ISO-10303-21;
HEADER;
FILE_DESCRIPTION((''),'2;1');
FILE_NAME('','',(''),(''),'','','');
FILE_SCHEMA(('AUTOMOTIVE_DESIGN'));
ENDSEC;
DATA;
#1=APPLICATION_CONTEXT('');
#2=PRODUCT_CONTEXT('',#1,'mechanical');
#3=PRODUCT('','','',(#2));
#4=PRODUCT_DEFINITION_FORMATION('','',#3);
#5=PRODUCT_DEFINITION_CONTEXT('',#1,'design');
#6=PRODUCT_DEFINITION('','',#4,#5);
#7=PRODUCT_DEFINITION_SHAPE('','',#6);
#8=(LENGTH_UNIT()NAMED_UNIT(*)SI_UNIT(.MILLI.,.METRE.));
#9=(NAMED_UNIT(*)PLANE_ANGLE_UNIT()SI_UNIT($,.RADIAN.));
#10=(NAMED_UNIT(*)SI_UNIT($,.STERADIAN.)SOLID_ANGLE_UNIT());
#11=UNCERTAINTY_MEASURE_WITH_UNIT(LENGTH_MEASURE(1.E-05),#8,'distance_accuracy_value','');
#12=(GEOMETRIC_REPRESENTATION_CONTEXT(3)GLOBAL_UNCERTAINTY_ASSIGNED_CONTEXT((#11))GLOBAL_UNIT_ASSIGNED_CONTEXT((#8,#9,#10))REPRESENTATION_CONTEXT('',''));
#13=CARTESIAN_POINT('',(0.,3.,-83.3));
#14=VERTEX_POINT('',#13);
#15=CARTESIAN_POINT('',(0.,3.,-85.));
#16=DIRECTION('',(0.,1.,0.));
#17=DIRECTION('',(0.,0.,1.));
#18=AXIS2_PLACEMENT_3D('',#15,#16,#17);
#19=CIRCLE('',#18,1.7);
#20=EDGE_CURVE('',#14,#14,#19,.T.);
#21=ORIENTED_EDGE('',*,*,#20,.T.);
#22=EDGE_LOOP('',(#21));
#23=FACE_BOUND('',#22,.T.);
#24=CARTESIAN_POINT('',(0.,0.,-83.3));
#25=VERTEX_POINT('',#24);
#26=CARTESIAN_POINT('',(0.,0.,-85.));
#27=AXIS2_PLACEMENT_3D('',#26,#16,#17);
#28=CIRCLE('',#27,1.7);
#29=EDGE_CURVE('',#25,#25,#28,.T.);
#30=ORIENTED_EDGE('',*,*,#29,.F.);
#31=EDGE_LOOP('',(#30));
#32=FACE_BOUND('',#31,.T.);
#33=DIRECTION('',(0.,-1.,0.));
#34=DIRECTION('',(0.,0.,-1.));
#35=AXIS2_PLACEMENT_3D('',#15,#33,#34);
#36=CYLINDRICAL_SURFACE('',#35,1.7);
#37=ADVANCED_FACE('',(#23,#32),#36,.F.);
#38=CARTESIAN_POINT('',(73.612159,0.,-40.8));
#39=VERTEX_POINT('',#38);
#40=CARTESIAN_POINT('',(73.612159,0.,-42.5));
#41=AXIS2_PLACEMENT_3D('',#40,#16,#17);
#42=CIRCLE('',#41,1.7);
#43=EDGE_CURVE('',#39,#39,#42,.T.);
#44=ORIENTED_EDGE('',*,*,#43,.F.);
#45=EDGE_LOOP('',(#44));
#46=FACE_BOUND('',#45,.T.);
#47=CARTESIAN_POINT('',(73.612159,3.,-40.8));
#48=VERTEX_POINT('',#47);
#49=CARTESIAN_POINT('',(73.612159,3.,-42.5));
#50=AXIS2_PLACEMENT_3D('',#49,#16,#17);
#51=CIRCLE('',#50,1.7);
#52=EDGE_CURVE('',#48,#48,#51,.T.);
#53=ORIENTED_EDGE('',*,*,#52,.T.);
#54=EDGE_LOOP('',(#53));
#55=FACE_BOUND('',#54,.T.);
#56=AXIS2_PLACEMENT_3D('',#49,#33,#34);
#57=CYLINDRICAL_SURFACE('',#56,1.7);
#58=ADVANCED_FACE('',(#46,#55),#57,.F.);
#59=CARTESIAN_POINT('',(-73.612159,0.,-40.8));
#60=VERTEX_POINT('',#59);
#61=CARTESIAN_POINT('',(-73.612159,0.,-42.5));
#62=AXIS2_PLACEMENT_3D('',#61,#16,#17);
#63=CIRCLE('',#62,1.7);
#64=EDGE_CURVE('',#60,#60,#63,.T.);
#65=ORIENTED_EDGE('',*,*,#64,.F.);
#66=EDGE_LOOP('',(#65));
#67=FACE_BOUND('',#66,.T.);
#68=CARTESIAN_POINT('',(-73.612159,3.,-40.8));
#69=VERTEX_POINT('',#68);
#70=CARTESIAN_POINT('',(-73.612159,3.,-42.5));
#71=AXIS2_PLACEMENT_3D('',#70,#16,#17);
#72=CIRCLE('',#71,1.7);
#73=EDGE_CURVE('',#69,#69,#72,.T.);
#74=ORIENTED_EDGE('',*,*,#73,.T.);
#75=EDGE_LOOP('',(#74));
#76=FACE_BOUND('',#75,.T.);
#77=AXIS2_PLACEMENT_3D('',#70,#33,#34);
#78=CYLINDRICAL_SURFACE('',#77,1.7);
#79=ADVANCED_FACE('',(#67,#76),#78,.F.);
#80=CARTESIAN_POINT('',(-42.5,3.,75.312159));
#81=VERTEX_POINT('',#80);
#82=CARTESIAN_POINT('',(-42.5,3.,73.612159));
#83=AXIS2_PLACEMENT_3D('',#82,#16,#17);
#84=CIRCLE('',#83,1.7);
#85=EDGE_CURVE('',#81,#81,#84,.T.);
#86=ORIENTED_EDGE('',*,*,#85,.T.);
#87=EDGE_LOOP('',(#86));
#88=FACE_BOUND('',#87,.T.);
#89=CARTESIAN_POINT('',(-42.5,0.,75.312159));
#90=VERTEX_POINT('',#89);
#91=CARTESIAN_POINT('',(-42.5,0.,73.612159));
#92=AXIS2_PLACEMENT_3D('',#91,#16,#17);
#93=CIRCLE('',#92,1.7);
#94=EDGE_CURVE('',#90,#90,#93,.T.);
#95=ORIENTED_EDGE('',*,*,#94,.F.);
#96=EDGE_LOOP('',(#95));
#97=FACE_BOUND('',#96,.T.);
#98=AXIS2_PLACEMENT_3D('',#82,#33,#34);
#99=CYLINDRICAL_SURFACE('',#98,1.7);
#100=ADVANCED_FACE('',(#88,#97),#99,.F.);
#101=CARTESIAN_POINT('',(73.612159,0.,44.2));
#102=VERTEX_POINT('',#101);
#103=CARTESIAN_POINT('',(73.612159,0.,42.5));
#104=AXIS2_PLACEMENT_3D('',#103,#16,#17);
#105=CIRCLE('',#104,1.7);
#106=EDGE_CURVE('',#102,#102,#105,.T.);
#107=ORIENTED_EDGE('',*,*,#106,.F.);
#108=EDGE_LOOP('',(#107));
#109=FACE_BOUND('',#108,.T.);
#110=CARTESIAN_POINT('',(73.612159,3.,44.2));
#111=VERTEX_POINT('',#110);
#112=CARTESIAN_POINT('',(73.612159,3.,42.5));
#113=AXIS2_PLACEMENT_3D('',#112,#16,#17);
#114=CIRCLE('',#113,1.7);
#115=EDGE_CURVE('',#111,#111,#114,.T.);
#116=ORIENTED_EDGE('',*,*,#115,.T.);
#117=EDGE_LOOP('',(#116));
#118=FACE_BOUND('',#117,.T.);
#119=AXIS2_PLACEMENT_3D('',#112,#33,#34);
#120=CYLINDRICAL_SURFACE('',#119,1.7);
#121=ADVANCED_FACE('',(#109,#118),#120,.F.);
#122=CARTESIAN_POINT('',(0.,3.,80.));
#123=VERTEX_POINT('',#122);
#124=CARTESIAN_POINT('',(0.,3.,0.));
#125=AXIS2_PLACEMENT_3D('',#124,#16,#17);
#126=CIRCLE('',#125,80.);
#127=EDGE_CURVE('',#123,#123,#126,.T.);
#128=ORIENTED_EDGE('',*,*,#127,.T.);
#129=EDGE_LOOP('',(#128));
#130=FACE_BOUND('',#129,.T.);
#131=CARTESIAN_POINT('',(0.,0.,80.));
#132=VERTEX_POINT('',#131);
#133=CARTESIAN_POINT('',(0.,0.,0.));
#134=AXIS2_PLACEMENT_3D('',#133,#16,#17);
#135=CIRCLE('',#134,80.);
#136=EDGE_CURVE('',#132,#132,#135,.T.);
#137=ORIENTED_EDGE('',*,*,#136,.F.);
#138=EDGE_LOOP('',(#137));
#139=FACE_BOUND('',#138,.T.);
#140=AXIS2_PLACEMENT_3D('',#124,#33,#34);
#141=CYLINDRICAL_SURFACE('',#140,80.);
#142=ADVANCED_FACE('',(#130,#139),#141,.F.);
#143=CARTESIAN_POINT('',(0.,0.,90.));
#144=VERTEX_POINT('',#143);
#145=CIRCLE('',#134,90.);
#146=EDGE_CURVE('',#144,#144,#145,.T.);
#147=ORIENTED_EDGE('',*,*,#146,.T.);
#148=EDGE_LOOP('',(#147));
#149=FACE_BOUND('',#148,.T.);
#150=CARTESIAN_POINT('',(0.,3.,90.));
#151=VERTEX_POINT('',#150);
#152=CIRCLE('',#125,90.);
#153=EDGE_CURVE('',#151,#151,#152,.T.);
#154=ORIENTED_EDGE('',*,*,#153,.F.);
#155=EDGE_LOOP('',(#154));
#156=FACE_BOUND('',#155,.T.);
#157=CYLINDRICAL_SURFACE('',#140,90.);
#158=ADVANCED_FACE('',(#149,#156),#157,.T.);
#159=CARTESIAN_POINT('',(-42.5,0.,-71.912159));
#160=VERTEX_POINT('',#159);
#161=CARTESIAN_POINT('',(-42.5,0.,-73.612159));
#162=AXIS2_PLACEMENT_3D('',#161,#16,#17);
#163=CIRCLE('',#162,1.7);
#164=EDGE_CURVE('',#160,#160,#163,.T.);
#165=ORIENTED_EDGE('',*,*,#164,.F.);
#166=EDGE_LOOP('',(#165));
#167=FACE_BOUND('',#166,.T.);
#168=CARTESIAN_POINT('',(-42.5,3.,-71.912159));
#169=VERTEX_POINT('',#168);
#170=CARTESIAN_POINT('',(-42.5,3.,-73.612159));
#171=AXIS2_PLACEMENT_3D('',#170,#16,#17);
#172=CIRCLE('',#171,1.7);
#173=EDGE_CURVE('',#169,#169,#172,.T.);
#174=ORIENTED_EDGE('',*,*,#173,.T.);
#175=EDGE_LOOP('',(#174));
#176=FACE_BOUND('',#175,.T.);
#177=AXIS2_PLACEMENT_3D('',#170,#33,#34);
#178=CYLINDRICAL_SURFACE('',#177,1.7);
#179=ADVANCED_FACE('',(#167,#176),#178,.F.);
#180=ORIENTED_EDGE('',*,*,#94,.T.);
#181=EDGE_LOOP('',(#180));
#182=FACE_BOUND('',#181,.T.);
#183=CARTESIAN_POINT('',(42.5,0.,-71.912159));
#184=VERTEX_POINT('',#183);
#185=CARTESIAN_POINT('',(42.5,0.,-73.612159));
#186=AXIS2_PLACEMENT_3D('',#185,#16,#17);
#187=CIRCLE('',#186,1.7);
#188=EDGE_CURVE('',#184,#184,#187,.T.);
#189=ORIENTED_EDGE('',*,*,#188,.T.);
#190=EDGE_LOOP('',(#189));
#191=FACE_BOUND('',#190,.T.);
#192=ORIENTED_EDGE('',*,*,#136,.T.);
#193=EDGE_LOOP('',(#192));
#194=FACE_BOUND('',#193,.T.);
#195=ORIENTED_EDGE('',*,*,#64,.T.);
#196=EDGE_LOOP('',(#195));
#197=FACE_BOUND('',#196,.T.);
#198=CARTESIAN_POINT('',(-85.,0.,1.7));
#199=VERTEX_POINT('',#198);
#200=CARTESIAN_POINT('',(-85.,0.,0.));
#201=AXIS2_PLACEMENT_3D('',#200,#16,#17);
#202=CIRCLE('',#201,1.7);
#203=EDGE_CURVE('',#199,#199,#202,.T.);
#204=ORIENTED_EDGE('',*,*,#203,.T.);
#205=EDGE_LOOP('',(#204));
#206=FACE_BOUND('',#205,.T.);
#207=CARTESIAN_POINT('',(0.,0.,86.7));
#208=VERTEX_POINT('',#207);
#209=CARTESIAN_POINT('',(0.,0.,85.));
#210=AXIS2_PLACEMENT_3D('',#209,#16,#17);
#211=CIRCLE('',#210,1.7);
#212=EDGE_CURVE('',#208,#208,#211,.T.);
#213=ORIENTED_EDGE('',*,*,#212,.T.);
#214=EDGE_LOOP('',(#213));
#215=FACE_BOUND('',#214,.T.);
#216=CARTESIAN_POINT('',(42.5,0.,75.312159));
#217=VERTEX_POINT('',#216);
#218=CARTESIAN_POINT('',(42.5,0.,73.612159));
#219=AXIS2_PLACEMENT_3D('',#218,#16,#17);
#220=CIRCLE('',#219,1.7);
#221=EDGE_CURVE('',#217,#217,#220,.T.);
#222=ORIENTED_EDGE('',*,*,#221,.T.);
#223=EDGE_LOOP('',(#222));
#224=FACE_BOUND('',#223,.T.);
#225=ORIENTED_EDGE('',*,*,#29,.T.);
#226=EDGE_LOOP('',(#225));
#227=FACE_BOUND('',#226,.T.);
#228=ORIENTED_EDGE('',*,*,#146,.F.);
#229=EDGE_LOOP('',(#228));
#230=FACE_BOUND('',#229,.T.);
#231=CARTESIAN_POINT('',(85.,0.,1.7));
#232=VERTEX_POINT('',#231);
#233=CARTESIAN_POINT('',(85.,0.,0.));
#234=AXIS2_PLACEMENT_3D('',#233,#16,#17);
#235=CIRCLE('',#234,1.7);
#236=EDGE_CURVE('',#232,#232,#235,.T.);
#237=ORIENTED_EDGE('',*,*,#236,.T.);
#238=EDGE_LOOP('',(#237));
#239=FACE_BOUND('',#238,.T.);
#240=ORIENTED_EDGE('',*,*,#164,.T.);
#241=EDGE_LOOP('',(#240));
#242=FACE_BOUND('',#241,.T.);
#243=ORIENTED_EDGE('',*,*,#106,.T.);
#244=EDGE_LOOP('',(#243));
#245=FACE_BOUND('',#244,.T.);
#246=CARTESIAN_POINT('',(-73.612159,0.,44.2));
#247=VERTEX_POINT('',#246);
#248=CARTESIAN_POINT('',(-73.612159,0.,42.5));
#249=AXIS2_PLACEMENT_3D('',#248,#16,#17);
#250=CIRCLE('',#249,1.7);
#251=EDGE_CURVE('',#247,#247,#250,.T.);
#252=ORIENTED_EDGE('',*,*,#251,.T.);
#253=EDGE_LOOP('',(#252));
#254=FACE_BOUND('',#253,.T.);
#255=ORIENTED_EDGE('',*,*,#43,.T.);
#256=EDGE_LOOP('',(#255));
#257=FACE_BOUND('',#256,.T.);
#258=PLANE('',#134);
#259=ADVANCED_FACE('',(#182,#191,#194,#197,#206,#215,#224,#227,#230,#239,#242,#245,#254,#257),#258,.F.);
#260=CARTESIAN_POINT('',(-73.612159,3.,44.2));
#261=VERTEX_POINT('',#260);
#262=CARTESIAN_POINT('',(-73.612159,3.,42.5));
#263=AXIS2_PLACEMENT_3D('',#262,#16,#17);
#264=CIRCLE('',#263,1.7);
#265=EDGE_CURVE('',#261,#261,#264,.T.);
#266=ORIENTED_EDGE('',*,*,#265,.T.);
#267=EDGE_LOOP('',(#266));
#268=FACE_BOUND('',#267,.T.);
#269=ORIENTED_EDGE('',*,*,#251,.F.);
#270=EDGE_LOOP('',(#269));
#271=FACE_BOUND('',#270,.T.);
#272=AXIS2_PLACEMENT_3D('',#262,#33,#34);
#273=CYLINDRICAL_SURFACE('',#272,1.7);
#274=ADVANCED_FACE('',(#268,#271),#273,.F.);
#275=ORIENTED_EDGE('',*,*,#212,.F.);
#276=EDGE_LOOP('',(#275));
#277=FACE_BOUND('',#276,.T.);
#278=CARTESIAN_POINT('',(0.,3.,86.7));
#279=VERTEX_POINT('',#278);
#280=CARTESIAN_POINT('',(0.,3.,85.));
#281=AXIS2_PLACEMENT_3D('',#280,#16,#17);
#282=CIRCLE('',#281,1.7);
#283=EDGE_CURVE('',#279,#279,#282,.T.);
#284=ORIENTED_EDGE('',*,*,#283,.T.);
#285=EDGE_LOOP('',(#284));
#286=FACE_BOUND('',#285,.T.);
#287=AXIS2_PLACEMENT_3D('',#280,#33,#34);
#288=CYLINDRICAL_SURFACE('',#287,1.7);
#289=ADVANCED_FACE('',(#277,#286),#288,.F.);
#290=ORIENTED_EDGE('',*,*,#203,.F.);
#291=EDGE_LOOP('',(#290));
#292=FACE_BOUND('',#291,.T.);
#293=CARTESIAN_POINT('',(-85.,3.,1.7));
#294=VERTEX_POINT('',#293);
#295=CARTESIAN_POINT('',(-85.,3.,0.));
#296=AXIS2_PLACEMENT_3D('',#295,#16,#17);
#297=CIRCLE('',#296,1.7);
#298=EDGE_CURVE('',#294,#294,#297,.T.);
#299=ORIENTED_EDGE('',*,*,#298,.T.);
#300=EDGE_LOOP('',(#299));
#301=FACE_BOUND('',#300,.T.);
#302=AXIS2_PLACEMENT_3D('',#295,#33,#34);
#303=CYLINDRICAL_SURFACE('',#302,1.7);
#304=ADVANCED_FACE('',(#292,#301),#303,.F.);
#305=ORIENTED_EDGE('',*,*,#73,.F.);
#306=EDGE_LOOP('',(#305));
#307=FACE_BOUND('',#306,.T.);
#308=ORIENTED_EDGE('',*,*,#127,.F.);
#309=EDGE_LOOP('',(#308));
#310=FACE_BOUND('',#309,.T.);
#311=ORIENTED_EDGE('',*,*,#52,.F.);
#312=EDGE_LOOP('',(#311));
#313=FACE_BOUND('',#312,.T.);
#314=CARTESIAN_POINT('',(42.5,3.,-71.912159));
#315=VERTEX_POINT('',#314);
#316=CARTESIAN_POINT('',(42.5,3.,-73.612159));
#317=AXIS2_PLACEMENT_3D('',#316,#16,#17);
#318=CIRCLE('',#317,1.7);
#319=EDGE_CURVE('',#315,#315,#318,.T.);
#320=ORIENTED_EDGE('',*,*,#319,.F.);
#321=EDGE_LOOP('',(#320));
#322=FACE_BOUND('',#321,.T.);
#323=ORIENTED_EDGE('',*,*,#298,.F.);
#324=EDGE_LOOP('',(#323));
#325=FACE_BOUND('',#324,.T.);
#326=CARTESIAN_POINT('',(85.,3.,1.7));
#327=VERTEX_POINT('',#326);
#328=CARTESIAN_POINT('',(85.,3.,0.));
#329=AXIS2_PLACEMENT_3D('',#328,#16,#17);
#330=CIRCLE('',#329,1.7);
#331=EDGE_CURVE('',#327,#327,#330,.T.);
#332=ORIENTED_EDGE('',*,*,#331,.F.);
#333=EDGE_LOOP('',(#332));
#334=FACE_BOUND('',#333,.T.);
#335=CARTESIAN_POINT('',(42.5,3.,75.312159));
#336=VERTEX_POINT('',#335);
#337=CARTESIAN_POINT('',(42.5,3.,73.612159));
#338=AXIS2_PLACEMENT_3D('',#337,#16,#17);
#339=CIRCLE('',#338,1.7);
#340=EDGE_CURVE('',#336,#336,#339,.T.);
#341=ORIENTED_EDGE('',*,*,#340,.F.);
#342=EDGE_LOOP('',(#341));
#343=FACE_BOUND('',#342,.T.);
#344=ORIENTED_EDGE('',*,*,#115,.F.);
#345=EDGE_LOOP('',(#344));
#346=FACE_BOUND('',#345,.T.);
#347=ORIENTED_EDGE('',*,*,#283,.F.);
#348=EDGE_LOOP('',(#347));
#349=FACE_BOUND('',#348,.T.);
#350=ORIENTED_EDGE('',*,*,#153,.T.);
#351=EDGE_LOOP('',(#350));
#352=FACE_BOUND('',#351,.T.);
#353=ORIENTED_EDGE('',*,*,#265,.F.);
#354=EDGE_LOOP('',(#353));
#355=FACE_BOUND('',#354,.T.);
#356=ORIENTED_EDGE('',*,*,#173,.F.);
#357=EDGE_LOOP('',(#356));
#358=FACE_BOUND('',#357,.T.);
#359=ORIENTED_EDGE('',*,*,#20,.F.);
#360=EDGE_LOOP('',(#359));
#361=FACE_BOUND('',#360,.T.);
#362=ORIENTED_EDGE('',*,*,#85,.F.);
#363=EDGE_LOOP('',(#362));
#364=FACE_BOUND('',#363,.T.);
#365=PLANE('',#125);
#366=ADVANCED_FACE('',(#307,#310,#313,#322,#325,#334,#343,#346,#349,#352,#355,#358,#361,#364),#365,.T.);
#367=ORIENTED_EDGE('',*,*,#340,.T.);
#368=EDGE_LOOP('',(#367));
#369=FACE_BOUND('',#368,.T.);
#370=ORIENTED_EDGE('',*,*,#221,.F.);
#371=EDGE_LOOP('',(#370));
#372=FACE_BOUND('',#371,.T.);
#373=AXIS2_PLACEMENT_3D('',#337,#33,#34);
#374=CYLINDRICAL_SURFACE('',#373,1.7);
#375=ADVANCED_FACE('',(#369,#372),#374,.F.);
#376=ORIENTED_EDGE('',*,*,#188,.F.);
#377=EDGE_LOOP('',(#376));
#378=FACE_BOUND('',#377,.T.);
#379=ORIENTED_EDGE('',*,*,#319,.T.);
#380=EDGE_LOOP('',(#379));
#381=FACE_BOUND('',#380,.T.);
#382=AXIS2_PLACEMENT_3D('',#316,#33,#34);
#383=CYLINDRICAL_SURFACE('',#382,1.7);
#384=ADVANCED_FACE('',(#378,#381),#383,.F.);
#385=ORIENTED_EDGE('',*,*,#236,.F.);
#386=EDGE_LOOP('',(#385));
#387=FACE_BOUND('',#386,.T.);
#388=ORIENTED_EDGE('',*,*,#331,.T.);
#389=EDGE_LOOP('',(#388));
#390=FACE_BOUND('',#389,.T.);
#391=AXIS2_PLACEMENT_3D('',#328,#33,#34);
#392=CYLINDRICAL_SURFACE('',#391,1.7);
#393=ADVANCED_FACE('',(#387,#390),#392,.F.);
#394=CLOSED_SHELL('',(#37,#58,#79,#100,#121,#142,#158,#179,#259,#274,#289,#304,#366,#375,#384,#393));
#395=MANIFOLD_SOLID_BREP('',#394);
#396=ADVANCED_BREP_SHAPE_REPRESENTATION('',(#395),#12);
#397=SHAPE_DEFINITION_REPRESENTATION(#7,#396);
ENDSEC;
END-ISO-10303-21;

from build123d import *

# Parameters (mm, degrees)
SKETCH1_R           = 90
SKETCH1_R_2         = 80
SKETCH1_R_3         = 1.7
BOSS_EXTRUDE1_DEPTH = 3


with BuildPart() as part:
    # Sketch1 → Boss-Extrude1 (new body)
    with BuildSketch(Plane(origin=(0, 0, 0), x_dir=(1, 0, 0), z_dir=(0, 1, 0))):
        with Locations(Location((0, 0, 0), (0, 0, 270))):
            Circle(SKETCH1_R)
        with Locations(Location((0, 0, 0), (0, 0, 270))):
            Circle(SKETCH1_R_2, mode=Mode.SUBTRACT)
        with Locations(Location((0, 85, 0), (0, 0, 270))):
            Circle(SKETCH1_R_3, mode=Mode.SUBTRACT)
        with Locations(Location((42.5, 73.612159322, 0), (0, 0, 270))):
            Circle(SKETCH1_R_3, mode=Mode.SUBTRACT)
        with Locations(Location((73.612159322, 42.5, 0), (0, 0, 270))):
            Circle(SKETCH1_R_3, mode=Mode.SUBTRACT)
        with Locations(Location((85, 0, 0), (0, 0, 270))):
            Circle(SKETCH1_R_3, mode=Mode.SUBTRACT)
        with Locations(Location((73.612159322, -42.5, 0), (0, 0, 270))):
            Circle(SKETCH1_R_3, mode=Mode.SUBTRACT)
        with Locations(Location((42.5, -73.612159322, 0), (0, 0, 270))):
            Circle(SKETCH1_R_3, mode=Mode.SUBTRACT)
        with Locations(Location((0, -85, 0), (0, 0, 270))):
            Circle(SKETCH1_R_3, mode=Mode.SUBTRACT)
        with Locations(Location((-42.5, -73.612159322, 0), (0, 0, 270))):
            Circle(SKETCH1_R_3, mode=Mode.SUBTRACT)
        with Locations(Location((-73.612159322, -42.5, 0), (0, 0, 270))):
            Circle(SKETCH1_R_3, mode=Mode.SUBTRACT)
        with Locations(Location((-85, 0, 0), (0, 0, 270))):
            Circle(SKETCH1_R_3, mode=Mode.SUBTRACT)
        with Locations(Location((-73.612159322, 42.5, 0), (0, 0, 270))):
            Circle(SKETCH1_R_3, mode=Mode.SUBTRACT)
        with Locations(Location((-42.5, 73.612159322, 0), (0, 0, 270))):
            Circle(SKETCH1_R_3, mode=Mode.SUBTRACT)
    extrude(amount=BOSS_EXTRUDE1_DEPTH)


solid = part.part
